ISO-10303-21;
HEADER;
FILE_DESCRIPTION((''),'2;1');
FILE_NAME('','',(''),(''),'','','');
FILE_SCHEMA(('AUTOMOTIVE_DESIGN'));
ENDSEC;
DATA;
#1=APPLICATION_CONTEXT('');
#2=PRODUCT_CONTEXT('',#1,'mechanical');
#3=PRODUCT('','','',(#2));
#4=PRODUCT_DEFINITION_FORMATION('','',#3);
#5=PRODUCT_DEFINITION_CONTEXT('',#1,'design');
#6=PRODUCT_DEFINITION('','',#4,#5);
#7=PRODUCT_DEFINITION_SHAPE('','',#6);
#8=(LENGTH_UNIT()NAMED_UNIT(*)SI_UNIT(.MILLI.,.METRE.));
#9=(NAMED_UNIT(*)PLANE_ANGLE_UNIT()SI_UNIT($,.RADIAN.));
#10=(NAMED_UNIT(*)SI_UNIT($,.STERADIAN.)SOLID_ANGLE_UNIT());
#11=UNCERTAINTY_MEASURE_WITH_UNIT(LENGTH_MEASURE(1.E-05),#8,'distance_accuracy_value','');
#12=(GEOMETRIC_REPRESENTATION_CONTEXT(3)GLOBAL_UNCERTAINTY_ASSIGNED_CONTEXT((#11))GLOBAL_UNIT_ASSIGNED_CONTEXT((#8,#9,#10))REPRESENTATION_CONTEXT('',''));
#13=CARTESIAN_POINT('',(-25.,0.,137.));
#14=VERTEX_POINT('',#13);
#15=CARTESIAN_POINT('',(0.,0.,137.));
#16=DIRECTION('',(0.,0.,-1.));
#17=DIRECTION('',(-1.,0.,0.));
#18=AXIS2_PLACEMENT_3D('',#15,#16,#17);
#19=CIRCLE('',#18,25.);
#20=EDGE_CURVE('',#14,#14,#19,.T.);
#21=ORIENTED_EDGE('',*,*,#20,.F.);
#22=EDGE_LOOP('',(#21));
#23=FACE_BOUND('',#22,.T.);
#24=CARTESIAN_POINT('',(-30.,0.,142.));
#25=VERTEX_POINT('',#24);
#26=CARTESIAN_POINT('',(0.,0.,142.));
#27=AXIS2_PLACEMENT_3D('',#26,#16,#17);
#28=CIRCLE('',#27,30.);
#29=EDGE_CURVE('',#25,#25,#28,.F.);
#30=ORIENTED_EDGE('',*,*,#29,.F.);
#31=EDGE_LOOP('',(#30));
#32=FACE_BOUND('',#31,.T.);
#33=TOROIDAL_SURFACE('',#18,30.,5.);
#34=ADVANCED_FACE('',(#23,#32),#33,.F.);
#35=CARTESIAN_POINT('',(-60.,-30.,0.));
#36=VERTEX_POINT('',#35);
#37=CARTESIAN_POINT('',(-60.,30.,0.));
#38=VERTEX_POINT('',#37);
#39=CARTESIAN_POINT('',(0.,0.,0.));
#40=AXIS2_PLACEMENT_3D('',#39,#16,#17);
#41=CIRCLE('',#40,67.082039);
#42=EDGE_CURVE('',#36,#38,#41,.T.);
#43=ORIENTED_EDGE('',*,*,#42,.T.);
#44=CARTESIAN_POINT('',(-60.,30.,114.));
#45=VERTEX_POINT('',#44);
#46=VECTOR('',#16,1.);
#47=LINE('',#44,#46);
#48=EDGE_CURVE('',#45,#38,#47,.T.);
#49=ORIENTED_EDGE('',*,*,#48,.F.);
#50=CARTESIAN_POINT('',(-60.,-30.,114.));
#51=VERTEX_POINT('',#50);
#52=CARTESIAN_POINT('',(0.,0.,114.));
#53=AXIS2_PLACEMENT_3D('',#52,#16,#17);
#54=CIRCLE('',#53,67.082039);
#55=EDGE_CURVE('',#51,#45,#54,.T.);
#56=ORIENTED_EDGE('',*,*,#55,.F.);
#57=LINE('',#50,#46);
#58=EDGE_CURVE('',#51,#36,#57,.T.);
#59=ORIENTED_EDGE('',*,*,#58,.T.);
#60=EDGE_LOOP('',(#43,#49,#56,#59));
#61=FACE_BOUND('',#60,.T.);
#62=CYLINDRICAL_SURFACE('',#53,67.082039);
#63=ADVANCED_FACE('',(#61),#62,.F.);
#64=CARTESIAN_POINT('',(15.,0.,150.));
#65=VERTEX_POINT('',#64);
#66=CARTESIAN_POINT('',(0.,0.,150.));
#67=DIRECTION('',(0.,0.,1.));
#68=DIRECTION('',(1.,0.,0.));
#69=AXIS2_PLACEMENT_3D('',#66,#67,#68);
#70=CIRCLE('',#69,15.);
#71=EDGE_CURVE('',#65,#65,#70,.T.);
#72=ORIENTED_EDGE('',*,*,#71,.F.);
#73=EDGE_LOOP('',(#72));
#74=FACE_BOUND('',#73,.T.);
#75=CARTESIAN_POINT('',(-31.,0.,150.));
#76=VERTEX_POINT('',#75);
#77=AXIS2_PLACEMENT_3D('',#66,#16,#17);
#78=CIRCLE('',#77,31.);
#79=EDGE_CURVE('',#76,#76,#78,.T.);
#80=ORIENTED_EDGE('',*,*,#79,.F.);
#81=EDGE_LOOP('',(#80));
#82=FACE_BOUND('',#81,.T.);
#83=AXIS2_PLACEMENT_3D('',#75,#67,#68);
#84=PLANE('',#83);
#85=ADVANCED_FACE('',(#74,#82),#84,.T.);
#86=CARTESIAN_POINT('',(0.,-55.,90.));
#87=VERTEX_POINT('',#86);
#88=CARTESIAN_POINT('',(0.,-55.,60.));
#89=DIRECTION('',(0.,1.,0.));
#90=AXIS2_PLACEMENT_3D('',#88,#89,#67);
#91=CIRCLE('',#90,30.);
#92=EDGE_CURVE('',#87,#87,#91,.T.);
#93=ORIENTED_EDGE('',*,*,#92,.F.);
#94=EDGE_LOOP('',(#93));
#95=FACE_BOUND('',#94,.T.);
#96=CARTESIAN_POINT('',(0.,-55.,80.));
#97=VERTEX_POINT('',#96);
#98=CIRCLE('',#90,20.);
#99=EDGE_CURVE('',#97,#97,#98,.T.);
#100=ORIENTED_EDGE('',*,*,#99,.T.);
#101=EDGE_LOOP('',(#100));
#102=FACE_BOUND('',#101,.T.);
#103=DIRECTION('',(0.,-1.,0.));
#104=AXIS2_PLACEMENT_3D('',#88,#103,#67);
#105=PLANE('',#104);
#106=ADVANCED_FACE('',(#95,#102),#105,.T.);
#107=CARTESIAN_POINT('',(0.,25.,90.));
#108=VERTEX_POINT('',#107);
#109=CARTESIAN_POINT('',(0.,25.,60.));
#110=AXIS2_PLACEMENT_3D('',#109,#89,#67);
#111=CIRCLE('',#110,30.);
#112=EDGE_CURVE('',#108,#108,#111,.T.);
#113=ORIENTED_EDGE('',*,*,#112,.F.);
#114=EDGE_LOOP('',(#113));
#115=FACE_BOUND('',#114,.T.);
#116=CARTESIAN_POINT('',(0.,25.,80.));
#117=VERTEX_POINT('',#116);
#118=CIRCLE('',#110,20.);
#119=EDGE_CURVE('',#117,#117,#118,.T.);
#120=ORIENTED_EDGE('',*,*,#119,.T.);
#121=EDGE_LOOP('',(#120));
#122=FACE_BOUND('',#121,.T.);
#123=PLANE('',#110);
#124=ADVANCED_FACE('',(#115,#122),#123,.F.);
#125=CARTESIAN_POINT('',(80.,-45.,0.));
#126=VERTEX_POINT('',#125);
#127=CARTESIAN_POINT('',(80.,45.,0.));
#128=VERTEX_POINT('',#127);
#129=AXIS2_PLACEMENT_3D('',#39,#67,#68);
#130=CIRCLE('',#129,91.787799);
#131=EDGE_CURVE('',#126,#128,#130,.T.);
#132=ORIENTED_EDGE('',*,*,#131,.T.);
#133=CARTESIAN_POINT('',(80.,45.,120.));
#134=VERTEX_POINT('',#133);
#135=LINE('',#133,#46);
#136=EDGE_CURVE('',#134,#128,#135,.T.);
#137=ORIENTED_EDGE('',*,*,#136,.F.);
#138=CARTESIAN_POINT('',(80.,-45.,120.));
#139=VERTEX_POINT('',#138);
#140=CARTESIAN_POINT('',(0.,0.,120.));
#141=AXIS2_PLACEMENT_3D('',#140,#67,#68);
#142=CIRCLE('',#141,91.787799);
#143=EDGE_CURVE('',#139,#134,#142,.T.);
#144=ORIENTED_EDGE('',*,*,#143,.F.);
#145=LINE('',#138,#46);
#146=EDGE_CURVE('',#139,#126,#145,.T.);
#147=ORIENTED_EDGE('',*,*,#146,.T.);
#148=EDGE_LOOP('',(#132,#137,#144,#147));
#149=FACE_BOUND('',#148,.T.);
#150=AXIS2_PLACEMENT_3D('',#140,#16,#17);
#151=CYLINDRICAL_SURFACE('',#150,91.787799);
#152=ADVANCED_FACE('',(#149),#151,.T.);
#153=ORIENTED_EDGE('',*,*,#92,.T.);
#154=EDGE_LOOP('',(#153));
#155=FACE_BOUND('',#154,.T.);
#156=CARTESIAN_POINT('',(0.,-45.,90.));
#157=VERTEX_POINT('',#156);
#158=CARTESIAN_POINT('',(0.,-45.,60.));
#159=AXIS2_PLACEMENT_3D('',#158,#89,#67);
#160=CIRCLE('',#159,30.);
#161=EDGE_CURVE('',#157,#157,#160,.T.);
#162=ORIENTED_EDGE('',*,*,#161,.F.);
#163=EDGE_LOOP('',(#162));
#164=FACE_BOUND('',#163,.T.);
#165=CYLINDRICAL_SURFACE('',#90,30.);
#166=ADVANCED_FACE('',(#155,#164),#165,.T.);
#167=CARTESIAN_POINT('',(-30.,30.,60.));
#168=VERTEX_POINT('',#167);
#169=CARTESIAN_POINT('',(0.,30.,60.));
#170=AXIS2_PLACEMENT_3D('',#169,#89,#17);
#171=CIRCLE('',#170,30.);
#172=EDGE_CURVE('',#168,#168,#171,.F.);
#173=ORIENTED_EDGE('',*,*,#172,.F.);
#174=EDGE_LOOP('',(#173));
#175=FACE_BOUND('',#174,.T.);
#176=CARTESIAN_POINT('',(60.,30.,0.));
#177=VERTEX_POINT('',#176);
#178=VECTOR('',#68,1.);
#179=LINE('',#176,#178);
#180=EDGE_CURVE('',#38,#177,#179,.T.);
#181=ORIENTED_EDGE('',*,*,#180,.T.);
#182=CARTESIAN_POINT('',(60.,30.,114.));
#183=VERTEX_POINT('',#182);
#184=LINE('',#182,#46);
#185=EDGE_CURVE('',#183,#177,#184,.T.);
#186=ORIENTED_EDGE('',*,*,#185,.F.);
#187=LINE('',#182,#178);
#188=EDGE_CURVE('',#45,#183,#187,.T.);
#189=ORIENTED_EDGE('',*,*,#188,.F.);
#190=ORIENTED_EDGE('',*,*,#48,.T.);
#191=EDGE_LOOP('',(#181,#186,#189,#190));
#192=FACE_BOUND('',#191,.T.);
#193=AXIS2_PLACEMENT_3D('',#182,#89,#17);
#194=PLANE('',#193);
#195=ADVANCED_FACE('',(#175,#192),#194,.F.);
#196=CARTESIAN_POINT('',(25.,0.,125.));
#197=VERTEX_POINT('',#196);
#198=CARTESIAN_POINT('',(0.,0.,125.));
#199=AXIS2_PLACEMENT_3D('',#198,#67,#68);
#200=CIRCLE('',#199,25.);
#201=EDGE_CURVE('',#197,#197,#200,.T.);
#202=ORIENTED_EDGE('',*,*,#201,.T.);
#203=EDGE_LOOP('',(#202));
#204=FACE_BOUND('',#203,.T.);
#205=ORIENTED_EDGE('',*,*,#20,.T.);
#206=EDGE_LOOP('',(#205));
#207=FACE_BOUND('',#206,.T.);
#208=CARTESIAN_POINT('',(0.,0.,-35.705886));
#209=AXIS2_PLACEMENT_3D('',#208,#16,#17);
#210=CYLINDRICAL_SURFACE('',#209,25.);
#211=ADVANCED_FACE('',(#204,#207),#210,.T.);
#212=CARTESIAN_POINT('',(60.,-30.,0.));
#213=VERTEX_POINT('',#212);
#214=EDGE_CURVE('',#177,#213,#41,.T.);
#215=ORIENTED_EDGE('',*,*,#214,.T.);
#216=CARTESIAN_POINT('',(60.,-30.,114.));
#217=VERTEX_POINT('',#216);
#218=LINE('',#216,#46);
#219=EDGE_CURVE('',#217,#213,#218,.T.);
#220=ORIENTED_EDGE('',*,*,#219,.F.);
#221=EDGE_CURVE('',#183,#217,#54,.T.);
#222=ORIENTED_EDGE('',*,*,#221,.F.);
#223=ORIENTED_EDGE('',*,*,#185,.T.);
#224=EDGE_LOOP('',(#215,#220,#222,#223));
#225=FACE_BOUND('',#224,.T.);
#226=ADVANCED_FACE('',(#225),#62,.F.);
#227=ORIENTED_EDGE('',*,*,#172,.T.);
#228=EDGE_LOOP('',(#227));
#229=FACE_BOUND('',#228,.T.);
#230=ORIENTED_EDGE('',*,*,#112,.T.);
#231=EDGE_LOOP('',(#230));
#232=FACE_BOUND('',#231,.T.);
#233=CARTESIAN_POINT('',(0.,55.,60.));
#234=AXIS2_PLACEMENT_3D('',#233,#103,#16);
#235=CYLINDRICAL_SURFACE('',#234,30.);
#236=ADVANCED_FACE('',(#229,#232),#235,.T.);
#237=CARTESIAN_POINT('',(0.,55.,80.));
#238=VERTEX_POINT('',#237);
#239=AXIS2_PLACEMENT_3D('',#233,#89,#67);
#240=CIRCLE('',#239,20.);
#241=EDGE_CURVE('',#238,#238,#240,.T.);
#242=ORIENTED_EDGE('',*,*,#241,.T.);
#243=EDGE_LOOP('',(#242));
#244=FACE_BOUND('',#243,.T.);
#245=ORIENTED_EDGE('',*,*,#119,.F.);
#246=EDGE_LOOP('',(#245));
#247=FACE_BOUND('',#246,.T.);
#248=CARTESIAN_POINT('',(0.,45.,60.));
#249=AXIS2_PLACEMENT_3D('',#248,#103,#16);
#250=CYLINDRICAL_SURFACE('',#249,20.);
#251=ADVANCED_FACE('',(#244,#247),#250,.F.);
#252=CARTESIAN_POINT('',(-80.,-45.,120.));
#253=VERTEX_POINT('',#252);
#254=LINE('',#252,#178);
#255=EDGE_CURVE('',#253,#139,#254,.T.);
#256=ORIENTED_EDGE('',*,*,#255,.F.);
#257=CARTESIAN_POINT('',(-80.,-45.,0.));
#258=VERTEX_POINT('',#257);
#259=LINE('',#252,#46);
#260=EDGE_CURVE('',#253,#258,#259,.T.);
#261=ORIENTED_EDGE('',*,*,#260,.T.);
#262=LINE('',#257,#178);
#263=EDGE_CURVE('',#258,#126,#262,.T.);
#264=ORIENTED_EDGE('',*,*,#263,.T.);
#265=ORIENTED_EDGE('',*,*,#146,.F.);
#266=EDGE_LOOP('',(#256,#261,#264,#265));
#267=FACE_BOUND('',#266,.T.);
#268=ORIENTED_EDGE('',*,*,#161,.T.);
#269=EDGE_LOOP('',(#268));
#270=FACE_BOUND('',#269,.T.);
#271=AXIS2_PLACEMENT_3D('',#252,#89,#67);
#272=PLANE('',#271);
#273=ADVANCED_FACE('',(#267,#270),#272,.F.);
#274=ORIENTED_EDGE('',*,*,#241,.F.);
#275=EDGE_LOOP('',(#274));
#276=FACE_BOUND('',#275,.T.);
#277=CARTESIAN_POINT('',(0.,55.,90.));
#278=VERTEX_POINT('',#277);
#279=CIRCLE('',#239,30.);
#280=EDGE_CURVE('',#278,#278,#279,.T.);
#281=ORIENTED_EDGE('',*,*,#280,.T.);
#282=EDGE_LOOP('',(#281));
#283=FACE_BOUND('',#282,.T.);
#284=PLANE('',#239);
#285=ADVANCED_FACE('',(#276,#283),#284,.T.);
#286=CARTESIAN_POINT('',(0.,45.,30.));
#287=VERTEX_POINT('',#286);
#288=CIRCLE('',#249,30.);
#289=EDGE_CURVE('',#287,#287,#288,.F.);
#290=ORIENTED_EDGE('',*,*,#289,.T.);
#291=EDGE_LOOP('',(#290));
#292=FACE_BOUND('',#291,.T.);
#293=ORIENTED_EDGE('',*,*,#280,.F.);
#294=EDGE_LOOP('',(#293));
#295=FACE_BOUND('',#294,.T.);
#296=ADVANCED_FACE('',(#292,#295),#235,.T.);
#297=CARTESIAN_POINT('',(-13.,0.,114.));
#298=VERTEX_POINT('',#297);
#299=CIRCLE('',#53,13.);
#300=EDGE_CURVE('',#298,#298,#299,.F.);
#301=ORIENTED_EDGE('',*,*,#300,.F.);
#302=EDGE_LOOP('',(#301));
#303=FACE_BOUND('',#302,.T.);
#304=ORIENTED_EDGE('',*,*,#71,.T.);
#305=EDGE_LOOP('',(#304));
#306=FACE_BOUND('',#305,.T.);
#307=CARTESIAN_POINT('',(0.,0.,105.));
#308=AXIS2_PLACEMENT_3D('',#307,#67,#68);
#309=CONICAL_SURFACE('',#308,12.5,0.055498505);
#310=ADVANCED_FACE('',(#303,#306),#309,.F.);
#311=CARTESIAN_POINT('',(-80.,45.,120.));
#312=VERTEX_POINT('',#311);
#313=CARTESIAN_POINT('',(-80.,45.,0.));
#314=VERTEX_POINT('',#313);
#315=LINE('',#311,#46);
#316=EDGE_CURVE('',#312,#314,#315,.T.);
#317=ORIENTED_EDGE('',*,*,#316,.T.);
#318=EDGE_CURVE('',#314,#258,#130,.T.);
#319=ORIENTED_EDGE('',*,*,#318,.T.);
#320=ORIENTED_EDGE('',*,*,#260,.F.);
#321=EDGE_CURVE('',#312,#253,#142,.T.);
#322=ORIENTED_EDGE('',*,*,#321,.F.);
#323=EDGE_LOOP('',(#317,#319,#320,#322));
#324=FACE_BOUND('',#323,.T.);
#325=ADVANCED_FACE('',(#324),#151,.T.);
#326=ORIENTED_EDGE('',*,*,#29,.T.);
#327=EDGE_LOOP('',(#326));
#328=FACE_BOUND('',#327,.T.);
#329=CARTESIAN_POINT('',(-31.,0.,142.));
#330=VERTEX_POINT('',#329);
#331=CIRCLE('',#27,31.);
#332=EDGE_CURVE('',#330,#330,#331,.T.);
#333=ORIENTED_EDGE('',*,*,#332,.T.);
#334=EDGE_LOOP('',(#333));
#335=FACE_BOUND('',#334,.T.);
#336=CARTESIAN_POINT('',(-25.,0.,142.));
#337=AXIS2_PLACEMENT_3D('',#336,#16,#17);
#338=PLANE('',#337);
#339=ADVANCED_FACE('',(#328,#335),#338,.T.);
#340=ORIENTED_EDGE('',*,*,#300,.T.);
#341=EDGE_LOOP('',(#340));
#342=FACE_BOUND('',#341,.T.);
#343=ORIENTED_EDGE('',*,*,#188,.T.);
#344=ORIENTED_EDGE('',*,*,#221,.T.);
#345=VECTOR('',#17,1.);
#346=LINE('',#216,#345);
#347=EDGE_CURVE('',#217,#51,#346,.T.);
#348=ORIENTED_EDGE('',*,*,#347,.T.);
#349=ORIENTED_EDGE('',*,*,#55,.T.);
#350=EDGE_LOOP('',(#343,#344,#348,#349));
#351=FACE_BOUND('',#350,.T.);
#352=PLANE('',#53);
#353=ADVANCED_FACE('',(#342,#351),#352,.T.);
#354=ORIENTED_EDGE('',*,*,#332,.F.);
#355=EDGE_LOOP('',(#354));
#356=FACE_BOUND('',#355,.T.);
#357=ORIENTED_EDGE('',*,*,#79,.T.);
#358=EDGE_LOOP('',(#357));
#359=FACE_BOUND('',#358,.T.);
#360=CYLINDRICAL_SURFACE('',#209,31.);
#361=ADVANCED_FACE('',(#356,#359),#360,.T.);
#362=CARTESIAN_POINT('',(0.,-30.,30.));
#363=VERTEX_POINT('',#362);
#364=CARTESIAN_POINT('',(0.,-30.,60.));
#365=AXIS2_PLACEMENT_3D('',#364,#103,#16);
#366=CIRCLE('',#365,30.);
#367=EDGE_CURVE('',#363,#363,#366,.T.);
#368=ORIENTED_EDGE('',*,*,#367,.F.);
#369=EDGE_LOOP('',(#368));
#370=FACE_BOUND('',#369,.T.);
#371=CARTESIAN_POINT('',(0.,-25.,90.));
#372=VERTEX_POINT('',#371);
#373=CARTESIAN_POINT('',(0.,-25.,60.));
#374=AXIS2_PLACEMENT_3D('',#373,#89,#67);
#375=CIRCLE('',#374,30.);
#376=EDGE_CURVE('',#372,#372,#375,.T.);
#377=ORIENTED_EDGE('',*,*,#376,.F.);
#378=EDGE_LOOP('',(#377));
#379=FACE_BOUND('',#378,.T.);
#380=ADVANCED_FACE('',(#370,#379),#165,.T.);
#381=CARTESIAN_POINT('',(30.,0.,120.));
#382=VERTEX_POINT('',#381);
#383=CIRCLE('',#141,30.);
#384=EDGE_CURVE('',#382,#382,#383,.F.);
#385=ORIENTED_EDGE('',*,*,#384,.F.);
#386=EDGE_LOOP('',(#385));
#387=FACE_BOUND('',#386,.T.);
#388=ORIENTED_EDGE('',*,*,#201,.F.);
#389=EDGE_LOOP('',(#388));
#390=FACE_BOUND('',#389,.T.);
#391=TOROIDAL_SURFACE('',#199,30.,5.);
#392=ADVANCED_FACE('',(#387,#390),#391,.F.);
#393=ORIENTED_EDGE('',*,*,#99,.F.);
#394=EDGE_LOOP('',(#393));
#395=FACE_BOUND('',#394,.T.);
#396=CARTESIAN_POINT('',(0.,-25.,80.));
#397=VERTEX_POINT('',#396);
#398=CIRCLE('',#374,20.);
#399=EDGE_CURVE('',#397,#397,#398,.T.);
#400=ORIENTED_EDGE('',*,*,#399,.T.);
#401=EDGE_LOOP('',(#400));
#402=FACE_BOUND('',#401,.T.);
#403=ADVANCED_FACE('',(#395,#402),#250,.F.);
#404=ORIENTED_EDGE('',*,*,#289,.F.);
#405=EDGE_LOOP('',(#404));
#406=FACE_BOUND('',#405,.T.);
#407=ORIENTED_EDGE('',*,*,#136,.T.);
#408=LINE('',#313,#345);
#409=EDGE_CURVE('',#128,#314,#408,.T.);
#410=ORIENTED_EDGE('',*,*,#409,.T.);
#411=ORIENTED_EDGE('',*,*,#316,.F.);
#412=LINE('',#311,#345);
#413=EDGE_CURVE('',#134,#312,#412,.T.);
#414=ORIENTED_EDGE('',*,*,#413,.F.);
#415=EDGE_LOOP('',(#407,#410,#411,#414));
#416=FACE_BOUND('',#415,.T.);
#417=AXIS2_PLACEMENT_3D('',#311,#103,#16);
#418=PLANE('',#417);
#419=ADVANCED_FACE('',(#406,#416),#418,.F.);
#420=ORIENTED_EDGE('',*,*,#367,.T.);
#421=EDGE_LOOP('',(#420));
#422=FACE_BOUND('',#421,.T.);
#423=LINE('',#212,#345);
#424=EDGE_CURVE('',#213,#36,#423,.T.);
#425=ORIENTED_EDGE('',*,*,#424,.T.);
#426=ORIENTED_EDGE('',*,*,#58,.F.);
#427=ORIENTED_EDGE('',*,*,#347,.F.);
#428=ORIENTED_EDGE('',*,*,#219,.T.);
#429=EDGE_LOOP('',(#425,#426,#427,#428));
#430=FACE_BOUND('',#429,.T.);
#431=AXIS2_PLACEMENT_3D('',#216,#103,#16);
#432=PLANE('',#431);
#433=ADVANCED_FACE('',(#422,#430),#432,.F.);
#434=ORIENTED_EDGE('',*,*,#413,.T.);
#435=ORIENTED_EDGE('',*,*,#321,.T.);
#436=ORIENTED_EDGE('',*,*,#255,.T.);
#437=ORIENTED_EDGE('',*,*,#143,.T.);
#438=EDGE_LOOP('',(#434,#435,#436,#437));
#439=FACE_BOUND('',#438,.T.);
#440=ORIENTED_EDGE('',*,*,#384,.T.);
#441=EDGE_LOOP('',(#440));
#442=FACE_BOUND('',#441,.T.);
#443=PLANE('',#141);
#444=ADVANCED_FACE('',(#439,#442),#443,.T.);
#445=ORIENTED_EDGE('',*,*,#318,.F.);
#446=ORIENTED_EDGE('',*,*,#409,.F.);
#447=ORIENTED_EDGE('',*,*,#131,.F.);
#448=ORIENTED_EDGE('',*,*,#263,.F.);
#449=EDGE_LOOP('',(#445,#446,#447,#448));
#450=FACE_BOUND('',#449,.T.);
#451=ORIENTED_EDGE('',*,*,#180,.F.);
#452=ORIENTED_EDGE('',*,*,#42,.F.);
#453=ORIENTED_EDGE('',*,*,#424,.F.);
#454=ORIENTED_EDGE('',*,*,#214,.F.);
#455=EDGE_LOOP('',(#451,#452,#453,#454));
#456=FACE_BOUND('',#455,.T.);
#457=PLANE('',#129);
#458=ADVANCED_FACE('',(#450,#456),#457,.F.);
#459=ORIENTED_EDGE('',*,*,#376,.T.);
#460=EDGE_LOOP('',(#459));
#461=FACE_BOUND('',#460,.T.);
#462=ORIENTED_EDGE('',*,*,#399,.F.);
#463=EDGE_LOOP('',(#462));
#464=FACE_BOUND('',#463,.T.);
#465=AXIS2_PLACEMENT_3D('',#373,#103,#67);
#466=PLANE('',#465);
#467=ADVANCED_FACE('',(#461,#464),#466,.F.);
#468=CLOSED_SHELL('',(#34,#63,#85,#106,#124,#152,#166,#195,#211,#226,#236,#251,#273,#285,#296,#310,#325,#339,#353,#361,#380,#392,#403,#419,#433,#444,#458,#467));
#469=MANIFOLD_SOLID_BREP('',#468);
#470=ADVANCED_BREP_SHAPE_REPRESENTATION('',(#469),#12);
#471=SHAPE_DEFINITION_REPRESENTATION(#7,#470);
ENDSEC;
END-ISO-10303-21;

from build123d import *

# Parameters (mm, degrees)
EXTRUDE_1_DEPTH     = 120
CUT_EXTRUDE_1_DEPTH = 114
SKETCH_5_R          = 20
CUT_EXTRUDE_3_DEPTH = 91
EXTRUDE_START       = 25
SKETCH_6_R          = 30
SKETCH_6_R_2        = 20
EXTRUDE_2_DEPTH     = 30
FILLET_2_R          = 5
FILLET_3_R          = 5


with BuildPart() as part:
    # 草图1 → 凸台-拉伸1 (new body)
    with BuildSketch(Plane.XY):
        with BuildLine():
            Line((-80, 45), (80, 45))
            ThreePointArc((80, 45), (91.787798753, 0), (80, -45))
            Line((80, -45), (-80, -45))
            ThreePointArc((-80, -45), (-91.787798753, 0), (-80, 45))
        make_face()
    extrude(amount=EXTRUDE_1_DEPTH)

    # 草图3 → 切除-拉伸1 (cut)
    with BuildSketch(Plane(origin=(0, 0, 0), x_dir=(-1, 0, 0), z_dir=(0, 0, -1))):
        with BuildLine():
            Line((-60, 30), (60, 30))
            ThreePointArc((60, 30), (67.082039325, 0), (60, -30))
            Line((60, -30), (-60, -30))
            ThreePointArc((-60, -30), (-67.082039325, 0), (-60, 30))
        make_face()
    extrude(amount=-CUT_EXTRUDE_1_DEPTH, mode=Mode.SUBTRACT)

    # 草图5 → 切除-拉伸3 (cut, through all)
    with BuildSketch(Plane.XZ.offset(45)):
        with Locations((0, 60)):
            Circle(SKETCH_5_R)
    extrude(amount=-CUT_EXTRUDE_3_DEPTH, mode=Mode.SUBTRACT)

    # 草图6 → 凸台-拉伸2 (add)
    with BuildSketch(Plane(origin=(0, 0, 0), x_dir=(1, 0, 0), z_dir=(0, 1, 0)).offset(EXTRUDE_START)):
        with Locations((0, -60)):
            Circle(SKETCH_6_R)
        with Locations((0, -60)):
            Circle(SKETCH_6_R_2, mode=Mode.SUBTRACT)
    extrude_2 = extrude(amount=EXTRUDE_2_DEPTH)

    # 镜向1: 凸台-拉伸2 across plane
    add(extrude_2.mirror(Plane.ZX))

    # 草图9 → 旋转1 (revolve)
    with BuildSketch(Plane(origin=(0, 0, 0), x_dir=(1, 0, 0), z_dir=(0, 1, 0))):
        Polygon((0, -120), (-25, -120), (-25, -142), (-31, -142), (-31, -150), (0, -150), align=None)
    revolve(axis=Axis((0, 0, -35.705886154), (0, 0, 1)))

    # 圆角2
    fillet_2_edges = [part.edges().sort_by_distance(p)[0] for p in [
        (25, 0, 120),
    ]]
    fillet(fillet_2_edges, radius=FILLET_2_R)

    # 圆角3
    fillet_3_edges = [part.edges().sort_by_distance(p)[0] for p in [
        (25, 0, 142),
    ]]
    fillet(fillet_3_edges, radius=FILLET_3_R)

    # 草图10 → 切除-旋转1 (revolve, cut)
    with BuildSketch(Plane(origin=(0, 0, 0), x_dir=(1, 0, 0), z_dir=(0, 1, 0))):
        Polygon((0, -150), (-15, -150), (-12.5, -105), (0, -105), align=None)
    revolve(axis=Axis((0, 0, 161.939554525), (0, 0, -1)), mode=Mode.SUBTRACT)


solid = part.part
